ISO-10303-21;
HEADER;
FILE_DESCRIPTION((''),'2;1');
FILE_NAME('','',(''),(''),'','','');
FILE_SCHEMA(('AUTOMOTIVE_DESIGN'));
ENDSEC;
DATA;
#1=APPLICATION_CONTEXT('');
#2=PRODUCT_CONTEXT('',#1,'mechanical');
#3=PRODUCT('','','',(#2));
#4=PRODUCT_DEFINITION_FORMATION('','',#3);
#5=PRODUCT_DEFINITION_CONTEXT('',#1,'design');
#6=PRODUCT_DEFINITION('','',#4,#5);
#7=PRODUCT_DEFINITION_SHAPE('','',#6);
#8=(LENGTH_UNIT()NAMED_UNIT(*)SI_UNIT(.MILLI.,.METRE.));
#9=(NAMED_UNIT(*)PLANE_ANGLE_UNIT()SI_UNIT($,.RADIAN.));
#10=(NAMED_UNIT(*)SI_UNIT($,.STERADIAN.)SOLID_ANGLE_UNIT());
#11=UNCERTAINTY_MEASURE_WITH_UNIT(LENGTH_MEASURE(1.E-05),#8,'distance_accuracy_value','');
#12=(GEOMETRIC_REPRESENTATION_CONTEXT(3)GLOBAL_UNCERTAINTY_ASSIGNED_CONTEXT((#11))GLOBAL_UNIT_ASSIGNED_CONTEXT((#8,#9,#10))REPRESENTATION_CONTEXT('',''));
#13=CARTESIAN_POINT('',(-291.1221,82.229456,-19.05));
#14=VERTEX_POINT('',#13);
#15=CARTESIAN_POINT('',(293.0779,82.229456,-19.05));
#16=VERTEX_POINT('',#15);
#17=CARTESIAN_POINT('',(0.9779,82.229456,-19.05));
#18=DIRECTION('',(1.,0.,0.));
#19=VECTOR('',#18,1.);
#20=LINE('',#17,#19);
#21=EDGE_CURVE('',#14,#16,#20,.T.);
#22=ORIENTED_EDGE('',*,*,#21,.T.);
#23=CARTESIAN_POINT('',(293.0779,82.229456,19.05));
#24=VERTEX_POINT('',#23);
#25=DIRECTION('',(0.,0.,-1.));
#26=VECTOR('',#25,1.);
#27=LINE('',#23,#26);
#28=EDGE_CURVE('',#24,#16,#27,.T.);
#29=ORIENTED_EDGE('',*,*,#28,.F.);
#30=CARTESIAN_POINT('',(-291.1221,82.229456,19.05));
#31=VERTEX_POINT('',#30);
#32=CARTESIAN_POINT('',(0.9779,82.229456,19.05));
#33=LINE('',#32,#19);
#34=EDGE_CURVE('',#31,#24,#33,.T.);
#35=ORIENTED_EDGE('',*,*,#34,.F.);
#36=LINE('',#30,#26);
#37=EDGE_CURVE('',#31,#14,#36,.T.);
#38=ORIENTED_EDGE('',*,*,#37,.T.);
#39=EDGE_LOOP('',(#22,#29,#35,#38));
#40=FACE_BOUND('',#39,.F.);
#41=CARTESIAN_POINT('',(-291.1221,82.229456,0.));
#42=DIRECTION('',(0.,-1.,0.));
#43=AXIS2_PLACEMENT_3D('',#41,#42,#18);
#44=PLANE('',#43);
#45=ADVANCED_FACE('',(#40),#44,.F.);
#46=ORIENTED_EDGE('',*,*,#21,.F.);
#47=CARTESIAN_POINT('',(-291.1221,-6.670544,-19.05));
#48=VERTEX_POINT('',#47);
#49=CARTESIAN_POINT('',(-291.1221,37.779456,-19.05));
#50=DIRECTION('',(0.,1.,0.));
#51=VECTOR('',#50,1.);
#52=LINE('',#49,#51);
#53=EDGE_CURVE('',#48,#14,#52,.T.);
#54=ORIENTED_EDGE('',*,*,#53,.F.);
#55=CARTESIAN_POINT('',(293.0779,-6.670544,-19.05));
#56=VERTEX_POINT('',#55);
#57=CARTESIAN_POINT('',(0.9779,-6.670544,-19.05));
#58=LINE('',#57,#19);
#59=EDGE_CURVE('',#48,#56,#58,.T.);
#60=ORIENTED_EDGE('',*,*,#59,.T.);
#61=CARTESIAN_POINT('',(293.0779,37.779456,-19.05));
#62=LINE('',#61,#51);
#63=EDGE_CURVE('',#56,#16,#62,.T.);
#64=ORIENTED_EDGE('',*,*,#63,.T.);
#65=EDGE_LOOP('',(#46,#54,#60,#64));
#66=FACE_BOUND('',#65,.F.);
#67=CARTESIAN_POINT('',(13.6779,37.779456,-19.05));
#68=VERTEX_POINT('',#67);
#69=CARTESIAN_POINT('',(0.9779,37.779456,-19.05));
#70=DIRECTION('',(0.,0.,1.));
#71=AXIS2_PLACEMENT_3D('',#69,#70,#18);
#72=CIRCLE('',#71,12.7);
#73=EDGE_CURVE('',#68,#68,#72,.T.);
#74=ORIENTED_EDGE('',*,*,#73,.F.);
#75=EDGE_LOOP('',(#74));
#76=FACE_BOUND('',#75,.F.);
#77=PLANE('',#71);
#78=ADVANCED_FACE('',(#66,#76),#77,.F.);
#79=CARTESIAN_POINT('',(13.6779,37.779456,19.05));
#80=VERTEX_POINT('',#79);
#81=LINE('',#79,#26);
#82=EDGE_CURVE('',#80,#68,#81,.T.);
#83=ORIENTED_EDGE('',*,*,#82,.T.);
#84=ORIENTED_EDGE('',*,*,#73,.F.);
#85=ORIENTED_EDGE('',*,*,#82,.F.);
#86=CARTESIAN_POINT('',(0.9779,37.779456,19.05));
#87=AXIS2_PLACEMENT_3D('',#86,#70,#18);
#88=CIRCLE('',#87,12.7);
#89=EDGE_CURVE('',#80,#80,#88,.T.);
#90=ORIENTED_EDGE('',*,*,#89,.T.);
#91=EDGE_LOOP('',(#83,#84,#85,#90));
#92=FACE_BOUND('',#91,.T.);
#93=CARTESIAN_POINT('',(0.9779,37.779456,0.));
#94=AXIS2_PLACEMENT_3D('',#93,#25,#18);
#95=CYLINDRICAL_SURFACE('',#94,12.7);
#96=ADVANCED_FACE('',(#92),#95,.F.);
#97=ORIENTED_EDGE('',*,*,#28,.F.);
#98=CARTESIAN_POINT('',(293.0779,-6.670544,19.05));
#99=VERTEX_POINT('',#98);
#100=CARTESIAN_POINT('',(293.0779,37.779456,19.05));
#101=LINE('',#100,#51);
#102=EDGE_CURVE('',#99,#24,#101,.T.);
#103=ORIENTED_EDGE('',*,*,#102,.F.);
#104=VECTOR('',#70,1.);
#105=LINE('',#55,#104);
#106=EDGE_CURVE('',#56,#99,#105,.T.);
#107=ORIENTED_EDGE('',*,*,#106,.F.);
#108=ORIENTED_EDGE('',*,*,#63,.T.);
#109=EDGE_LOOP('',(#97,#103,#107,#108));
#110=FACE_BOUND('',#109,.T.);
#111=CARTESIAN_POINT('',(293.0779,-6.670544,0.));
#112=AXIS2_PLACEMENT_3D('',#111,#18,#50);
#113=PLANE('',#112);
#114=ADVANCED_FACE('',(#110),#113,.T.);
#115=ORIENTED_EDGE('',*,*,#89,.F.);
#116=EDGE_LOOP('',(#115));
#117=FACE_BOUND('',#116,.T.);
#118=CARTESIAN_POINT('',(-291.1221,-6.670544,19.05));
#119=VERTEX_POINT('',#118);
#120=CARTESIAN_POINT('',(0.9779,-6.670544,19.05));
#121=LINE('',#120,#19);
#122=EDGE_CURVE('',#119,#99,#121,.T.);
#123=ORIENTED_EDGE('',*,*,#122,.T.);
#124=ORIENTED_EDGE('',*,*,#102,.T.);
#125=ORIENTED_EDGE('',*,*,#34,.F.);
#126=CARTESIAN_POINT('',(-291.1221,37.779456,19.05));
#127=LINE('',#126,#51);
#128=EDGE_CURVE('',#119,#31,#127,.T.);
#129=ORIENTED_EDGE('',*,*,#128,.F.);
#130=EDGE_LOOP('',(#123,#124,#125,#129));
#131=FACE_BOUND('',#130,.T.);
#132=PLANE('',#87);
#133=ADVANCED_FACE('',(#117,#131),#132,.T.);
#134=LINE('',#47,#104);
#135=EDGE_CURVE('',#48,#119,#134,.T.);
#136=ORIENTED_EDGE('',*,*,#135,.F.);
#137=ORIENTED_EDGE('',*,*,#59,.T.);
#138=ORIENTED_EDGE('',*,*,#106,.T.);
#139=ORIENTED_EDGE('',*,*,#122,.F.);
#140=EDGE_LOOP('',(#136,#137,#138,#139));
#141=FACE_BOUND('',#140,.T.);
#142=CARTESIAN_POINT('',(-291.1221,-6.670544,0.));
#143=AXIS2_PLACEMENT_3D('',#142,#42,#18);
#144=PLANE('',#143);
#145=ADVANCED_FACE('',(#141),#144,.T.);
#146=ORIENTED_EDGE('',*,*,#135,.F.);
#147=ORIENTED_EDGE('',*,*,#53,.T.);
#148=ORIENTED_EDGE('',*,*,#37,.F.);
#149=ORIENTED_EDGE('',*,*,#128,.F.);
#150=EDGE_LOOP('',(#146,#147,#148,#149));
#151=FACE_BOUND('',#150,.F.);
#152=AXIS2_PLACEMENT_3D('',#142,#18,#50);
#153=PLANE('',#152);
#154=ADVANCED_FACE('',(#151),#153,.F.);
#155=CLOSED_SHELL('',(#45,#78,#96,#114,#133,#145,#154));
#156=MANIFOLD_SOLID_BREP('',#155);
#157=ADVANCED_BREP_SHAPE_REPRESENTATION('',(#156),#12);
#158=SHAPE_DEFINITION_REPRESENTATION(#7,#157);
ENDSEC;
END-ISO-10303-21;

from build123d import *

# Parameters (mm, degrees)
F0_W     = 584.2
F0_H     = 88.9
F0_R     = 12.7
F1_DEPTH = 19.05


with BuildPart() as f1:
    # F0 (on Top) → F1 (new body, symmetric)
    with BuildSketch(Plane.XY):
        with Locations((0.9778998792, 37.7794563284)):
            Rectangle(F0_W, F0_H)
        with Locations((0.9778998792, 37.7794563284)):
            Circle(F0_R, mode=Mode.SUBTRACT)
    extrude(amount=F1_DEPTH, both=True)


solid = f1.part
